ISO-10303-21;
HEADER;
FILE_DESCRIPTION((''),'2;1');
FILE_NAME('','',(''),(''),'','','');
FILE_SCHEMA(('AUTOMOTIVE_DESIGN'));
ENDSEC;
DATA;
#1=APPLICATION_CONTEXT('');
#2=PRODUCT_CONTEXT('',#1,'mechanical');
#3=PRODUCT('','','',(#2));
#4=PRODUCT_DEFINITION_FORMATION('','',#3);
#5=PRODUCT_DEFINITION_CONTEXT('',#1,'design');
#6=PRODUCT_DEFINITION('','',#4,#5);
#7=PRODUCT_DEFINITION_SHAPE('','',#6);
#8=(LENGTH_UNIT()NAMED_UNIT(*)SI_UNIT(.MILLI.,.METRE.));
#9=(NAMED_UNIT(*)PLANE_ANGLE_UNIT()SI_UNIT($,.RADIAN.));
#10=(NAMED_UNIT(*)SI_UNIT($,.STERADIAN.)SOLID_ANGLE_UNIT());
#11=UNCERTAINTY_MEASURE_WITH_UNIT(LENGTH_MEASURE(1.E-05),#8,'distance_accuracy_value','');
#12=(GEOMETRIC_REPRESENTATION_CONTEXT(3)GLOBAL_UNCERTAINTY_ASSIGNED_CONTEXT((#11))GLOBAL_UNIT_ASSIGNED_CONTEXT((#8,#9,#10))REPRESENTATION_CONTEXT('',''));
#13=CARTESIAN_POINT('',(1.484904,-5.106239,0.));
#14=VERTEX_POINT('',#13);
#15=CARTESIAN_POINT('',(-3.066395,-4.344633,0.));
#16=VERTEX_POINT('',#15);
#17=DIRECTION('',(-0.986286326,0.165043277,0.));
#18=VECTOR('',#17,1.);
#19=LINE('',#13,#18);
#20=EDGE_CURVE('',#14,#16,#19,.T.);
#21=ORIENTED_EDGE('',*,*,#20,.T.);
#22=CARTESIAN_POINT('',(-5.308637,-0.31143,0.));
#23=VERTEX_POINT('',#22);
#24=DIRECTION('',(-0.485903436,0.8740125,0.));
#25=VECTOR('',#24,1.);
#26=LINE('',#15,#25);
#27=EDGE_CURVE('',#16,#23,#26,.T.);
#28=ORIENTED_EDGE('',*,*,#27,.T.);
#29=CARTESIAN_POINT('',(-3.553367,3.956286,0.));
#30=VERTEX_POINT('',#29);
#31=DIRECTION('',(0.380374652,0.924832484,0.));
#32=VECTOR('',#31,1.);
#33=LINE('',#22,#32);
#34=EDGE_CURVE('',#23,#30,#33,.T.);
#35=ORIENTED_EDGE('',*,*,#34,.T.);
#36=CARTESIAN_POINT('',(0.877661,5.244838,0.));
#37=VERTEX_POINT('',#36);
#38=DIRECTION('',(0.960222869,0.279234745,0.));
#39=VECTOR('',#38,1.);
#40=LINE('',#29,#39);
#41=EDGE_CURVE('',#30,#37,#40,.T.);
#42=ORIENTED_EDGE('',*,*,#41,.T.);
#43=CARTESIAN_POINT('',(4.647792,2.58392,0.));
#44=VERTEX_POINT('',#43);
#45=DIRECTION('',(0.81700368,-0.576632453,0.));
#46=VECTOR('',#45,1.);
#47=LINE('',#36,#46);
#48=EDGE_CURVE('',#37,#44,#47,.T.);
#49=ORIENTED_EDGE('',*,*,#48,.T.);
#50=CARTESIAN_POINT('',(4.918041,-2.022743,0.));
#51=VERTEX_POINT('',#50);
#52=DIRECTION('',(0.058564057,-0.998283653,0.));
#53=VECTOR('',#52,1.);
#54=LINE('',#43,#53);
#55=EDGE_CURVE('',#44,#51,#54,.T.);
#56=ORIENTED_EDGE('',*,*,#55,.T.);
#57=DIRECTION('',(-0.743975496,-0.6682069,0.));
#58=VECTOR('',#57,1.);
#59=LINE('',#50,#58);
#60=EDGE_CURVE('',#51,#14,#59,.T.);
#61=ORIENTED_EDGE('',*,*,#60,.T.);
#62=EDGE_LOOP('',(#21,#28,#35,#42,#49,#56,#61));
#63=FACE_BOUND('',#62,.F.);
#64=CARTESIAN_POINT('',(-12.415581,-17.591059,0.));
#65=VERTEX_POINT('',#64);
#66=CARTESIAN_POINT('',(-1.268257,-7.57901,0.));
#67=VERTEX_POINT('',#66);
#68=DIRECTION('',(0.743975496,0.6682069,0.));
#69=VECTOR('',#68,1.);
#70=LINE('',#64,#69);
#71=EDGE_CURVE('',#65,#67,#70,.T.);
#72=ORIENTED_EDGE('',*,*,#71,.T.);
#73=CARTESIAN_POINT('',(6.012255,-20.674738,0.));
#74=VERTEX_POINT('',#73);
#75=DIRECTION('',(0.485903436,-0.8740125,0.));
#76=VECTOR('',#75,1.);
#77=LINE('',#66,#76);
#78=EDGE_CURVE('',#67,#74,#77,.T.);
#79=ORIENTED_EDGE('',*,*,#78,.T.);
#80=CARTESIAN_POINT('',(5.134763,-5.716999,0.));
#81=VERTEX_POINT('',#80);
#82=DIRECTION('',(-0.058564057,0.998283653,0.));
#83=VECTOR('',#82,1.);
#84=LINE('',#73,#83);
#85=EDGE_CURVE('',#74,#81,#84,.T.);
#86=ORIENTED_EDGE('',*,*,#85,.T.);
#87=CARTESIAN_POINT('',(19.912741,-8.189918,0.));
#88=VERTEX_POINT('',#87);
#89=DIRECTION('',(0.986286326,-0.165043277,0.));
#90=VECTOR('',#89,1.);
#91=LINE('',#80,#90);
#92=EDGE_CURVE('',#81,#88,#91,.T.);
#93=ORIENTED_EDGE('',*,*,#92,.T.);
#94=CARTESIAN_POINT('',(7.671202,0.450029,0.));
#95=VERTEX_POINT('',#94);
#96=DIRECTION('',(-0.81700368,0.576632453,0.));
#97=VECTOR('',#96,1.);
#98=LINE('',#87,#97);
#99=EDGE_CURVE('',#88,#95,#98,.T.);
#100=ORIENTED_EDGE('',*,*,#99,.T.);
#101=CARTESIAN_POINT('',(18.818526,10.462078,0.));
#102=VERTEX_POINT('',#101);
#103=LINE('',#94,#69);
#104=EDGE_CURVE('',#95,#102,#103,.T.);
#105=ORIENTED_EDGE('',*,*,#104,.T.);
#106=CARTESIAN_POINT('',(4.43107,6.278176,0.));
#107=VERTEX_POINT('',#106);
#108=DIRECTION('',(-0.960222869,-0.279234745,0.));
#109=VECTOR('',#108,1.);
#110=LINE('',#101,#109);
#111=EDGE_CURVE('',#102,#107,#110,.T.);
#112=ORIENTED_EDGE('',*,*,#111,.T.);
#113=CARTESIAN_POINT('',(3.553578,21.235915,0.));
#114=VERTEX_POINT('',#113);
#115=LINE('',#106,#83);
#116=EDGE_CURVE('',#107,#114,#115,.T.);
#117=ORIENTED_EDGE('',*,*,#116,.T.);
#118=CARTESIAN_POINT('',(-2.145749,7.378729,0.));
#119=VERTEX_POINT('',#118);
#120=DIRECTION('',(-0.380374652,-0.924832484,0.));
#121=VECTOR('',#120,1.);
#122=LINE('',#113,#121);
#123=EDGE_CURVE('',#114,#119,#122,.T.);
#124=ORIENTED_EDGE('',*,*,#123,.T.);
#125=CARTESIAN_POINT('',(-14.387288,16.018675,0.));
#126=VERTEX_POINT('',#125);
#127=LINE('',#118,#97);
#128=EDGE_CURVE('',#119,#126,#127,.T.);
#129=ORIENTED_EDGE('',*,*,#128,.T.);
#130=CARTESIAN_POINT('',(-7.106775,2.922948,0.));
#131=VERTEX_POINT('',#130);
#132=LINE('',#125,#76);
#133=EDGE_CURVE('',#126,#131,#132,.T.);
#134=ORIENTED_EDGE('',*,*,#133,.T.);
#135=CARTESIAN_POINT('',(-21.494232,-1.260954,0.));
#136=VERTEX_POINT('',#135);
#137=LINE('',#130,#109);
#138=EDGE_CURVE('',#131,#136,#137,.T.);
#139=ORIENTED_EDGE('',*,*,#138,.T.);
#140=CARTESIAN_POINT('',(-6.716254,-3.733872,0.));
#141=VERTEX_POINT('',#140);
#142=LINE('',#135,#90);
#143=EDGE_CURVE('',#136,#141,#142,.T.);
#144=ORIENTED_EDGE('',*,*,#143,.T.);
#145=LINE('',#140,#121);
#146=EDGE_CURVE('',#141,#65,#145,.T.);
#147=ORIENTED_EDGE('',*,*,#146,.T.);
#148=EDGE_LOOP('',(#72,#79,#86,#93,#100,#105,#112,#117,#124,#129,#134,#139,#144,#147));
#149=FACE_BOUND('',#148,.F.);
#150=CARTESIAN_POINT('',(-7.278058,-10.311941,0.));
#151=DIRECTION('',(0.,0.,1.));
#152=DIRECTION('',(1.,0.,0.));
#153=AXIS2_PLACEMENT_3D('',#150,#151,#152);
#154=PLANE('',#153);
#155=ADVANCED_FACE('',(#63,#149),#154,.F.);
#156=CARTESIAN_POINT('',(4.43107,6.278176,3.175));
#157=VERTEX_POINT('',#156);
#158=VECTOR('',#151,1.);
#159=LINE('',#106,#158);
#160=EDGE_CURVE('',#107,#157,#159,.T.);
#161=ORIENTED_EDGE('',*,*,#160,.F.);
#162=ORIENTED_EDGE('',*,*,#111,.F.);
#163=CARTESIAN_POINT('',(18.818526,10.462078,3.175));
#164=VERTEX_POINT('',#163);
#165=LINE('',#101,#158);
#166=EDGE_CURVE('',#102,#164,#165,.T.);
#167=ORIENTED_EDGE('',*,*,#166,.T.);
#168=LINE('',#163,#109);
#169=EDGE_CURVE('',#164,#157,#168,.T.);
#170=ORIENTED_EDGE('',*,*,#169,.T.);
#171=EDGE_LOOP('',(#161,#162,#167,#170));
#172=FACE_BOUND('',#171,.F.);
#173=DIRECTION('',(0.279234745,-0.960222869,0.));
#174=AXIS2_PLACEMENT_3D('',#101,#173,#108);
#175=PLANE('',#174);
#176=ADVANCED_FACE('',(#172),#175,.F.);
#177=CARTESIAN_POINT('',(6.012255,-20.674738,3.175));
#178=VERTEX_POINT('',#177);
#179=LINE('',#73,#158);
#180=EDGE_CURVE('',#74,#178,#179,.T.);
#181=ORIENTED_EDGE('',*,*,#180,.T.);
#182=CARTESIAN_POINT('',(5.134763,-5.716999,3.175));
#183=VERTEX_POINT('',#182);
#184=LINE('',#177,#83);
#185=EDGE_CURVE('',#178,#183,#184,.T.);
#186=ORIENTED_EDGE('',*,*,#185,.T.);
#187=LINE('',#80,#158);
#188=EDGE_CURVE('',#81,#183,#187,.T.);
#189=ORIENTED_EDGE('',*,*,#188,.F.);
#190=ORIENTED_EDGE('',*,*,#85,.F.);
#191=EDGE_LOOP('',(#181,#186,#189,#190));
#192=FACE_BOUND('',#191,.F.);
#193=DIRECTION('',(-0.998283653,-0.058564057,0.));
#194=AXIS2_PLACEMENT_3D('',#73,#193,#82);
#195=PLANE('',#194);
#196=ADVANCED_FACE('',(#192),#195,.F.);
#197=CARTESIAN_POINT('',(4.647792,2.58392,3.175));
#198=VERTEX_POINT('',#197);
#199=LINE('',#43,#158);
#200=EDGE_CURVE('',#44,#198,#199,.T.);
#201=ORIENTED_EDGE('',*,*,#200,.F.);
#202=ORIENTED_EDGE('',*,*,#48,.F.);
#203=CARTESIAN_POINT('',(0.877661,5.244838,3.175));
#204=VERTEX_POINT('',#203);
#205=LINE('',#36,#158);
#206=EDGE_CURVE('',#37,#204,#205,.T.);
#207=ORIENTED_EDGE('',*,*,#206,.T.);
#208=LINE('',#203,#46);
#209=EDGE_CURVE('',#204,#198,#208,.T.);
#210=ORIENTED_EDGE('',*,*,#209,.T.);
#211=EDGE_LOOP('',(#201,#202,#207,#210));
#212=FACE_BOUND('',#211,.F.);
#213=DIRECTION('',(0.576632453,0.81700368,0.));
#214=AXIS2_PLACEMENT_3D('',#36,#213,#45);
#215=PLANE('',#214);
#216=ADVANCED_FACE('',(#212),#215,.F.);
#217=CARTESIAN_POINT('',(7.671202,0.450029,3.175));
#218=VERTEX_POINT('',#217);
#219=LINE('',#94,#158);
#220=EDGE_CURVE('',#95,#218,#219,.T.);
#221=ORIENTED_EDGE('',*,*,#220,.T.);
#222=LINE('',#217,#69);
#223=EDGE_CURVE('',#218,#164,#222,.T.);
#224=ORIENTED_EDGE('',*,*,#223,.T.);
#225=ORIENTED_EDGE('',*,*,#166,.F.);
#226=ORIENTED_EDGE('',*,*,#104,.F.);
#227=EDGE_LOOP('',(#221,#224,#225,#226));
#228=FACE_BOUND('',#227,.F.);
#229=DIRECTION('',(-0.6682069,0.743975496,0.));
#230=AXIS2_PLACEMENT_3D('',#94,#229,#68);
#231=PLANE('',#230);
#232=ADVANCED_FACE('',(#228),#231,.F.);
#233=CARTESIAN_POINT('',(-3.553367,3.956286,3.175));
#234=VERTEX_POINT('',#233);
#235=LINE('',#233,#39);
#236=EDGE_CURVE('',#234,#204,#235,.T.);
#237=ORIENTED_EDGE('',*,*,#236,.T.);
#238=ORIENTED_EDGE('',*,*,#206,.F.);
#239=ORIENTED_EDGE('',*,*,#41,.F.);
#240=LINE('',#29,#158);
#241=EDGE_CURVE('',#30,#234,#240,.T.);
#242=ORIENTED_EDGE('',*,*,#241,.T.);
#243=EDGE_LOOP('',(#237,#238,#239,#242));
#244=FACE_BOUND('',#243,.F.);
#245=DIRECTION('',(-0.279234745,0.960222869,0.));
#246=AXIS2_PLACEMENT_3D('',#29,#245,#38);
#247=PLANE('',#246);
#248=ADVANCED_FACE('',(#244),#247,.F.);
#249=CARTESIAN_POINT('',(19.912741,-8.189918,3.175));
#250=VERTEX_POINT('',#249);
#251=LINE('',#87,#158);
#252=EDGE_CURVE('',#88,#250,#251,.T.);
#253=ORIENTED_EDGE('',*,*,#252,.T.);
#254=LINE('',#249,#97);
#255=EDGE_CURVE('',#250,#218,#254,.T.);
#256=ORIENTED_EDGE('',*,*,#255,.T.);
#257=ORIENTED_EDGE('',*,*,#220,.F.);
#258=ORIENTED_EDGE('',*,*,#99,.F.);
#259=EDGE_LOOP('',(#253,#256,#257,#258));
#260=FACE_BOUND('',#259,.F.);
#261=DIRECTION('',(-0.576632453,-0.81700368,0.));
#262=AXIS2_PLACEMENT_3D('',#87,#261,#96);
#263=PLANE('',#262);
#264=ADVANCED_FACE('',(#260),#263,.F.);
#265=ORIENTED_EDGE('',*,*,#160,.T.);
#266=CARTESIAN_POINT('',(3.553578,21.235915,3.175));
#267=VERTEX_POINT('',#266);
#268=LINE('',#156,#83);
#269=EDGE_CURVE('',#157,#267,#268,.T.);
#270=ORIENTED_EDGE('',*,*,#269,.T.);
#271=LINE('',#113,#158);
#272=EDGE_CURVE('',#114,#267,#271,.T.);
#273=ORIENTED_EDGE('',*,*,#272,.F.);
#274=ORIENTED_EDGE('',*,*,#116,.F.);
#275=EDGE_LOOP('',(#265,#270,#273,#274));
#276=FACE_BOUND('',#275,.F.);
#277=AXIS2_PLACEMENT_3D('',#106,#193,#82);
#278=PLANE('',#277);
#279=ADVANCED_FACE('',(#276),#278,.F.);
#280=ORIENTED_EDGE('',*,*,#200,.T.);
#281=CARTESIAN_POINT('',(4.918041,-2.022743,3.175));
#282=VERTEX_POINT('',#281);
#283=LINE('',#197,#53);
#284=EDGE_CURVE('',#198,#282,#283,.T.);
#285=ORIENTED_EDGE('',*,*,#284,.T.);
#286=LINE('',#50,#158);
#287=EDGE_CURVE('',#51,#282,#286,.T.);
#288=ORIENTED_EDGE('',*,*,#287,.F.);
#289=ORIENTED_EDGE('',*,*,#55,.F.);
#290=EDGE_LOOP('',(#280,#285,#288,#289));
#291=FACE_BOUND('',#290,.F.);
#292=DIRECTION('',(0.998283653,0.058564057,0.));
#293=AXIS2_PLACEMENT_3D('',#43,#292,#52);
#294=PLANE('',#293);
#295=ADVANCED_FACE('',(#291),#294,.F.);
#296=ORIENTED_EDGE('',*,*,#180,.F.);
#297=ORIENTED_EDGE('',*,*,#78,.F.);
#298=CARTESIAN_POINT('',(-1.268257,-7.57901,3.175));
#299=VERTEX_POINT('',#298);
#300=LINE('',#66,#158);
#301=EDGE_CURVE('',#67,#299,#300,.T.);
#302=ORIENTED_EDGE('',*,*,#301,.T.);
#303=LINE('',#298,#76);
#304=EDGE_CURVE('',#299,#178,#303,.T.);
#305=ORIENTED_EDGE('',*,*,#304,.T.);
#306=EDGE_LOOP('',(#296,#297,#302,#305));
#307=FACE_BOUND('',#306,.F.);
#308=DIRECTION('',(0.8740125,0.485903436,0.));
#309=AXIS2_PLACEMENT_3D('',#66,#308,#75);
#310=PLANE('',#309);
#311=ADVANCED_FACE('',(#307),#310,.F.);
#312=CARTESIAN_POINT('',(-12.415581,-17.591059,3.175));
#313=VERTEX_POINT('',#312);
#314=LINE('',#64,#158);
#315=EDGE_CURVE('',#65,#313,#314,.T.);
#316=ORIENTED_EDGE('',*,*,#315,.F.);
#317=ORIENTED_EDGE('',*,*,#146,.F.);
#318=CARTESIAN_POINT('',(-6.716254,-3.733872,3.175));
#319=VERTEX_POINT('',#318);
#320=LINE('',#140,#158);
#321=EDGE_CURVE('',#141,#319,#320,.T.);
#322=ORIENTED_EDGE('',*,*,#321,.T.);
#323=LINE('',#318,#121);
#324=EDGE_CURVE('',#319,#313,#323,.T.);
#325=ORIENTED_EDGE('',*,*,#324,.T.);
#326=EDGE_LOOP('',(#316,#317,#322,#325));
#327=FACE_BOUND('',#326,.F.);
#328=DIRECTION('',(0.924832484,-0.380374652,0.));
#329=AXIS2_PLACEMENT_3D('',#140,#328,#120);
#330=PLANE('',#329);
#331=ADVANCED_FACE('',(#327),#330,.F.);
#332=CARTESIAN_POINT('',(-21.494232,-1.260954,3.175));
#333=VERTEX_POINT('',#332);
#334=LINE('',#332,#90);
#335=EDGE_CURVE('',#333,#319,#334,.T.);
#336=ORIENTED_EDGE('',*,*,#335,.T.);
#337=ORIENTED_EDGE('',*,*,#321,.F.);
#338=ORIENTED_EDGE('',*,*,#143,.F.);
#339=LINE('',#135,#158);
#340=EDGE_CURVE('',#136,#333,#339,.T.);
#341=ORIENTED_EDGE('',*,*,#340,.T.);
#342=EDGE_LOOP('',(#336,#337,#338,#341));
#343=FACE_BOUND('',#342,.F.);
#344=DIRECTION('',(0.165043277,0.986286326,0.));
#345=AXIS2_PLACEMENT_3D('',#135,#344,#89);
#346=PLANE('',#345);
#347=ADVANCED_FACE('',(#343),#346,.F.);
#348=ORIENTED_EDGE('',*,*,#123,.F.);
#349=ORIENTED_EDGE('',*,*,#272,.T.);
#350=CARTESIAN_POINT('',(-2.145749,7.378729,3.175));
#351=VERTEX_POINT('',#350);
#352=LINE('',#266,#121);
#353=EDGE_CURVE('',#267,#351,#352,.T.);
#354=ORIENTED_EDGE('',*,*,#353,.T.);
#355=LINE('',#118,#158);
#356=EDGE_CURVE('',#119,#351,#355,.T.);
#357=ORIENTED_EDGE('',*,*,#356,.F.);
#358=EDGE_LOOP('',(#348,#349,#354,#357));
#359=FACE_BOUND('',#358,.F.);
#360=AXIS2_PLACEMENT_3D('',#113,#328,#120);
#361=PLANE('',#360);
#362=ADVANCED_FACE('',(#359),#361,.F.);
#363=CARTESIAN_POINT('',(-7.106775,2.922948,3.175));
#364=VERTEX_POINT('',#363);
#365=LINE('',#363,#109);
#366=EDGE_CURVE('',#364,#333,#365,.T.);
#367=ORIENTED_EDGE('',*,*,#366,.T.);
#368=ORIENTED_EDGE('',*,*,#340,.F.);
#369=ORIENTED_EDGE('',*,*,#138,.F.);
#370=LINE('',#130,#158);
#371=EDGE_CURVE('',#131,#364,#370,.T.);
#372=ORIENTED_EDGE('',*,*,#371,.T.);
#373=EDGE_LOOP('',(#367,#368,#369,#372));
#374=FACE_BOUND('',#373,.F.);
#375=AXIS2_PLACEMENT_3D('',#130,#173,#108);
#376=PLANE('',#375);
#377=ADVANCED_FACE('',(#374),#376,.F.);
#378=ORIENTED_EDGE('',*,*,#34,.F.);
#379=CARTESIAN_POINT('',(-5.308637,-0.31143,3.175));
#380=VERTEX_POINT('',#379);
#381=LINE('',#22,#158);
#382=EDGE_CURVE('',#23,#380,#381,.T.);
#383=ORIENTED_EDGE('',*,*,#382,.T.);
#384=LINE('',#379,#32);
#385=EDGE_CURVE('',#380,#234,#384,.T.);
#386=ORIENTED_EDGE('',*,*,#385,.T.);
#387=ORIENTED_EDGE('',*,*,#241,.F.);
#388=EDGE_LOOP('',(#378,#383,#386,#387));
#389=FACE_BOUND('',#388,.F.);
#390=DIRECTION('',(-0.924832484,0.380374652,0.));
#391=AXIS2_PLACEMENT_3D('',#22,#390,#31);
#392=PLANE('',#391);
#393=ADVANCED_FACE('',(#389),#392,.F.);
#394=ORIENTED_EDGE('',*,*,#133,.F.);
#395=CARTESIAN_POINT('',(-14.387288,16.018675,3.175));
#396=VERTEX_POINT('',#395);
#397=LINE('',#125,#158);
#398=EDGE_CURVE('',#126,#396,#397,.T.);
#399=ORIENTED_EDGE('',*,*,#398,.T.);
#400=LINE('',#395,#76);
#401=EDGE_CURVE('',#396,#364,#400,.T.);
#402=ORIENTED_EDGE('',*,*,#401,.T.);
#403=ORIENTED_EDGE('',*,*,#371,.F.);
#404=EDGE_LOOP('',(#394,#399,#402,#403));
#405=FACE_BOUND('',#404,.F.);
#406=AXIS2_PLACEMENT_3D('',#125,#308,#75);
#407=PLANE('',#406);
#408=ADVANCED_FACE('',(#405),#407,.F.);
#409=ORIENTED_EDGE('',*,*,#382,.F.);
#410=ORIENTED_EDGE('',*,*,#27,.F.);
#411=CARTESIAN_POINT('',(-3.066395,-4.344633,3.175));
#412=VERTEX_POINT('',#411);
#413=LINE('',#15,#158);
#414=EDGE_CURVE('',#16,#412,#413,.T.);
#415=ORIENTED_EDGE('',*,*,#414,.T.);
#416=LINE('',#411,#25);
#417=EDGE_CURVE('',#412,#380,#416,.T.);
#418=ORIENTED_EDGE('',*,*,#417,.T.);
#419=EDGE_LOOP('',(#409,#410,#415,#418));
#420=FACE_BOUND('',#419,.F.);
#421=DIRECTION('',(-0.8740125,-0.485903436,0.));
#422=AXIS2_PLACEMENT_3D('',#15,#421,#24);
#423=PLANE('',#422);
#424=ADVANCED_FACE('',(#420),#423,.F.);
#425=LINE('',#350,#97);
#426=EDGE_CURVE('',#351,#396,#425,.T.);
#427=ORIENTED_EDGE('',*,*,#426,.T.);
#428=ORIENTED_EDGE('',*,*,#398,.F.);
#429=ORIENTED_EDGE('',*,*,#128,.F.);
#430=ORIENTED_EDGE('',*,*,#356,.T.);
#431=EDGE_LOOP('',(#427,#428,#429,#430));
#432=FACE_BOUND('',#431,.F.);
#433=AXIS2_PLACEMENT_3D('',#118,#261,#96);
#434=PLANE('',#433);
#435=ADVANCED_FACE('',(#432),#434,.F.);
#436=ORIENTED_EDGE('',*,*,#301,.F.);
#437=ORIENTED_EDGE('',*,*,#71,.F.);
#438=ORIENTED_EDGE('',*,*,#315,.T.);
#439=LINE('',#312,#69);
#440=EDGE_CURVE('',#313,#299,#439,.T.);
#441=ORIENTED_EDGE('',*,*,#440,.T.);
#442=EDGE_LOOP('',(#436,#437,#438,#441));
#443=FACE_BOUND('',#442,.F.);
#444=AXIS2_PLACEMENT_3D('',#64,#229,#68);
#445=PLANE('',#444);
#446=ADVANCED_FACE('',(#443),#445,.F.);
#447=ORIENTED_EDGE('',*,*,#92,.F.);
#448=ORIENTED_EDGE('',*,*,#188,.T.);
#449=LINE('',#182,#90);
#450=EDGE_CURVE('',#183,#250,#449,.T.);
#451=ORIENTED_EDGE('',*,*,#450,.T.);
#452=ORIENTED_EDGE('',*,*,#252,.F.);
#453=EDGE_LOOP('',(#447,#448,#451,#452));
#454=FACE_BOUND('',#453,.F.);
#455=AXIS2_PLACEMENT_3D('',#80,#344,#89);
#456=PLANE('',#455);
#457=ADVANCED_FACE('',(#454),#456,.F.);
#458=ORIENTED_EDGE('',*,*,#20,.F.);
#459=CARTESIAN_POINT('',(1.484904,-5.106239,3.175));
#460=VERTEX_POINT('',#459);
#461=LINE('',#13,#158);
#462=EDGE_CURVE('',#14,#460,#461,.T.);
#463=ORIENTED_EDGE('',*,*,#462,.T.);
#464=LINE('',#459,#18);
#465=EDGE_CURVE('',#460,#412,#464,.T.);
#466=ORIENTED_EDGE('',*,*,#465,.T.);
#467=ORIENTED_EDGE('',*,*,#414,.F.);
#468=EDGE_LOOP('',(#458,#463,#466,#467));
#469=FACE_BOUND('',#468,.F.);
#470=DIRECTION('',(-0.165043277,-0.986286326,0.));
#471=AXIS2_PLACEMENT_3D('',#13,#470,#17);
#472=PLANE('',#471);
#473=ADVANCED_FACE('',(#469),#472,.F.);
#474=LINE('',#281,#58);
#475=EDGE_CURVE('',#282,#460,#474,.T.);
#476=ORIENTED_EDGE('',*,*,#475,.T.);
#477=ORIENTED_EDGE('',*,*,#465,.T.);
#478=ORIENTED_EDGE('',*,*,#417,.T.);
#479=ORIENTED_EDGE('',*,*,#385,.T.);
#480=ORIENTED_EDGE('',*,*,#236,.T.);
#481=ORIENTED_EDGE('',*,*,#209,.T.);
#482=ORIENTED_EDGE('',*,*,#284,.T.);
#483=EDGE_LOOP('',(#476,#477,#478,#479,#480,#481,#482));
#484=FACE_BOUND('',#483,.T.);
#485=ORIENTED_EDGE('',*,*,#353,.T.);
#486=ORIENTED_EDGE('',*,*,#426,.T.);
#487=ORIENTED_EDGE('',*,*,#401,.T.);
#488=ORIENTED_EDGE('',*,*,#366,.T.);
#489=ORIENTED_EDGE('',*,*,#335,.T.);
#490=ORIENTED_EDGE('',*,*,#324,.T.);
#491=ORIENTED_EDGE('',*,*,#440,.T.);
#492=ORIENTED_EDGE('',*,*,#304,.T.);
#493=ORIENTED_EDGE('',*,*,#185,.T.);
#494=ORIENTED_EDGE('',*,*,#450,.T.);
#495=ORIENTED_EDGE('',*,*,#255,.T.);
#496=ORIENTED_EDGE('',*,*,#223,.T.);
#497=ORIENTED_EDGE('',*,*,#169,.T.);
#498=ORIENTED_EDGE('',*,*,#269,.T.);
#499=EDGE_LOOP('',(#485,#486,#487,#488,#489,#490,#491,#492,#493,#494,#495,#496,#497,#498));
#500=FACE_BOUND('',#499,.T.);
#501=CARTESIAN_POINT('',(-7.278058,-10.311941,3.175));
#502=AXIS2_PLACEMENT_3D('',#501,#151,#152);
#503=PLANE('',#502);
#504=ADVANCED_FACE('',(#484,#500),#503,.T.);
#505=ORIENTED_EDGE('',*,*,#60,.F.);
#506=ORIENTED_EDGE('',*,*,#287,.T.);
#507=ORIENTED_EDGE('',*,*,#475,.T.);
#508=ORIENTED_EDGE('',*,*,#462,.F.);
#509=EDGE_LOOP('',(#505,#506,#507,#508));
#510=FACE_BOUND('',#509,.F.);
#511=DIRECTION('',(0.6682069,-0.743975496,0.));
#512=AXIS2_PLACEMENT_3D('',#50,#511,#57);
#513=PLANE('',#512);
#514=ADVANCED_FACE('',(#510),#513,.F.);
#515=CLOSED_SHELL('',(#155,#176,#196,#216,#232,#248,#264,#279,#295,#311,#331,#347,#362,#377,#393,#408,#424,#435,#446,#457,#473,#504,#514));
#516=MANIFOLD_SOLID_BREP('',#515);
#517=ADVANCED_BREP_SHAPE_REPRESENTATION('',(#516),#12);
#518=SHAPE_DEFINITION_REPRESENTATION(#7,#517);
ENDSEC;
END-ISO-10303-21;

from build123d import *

# Parameters (mm, degrees)
F1_DEPTH = 3.175


with BuildPart() as f1:
    # F0 (on Top) → F1 (new body)
    with BuildSketch(Plane.XY):
        Polygon((-6.7162543001, -3.7338722749), (-12.4155810362, -17.5910588207), (-1.2682571668, -7.5790103409), (-3.0663952842, -4.3446327365), align=None)
        Polygon((-1.2682571668, -7.5790103409), (6.0122554358, -20.6747379059), (5.1347634808, -5.7169990366), (1.484904465, -5.106238575), align=None)
        Polygon((5.1347634808, -5.7169990366), (19.912740937, -8.1899176601), (7.6712024973, 0.4500291478), (4.9180408655, -2.0227426182), align=None)
        Polygon((7.6712024973, 0.4500291478), (18.8185263667, 10.4620776276), (4.4310695693, 6.278176205), (4.6477921846, 2.5839197865), align=None)
        Polygon((4.4310695693, 6.278176205), (3.5535776144, 21.2359150742), (-2.1457491217, 7.3787285284), (0.877661191, 5.2448378896), align=None)
        Polygon((-2.1457491217, 7.3787285284), (-14.3872875614, 16.0186753362), (-7.1067749588, 2.9229477713), (-3.5533665805, 3.9562860866), align=None)
        Polygon((-7.1067749588, 2.9229477713), (-21.4942317562, -1.2609536514), (-6.7162543001, -3.7338722749), (-5.3086368414, -0.3114298331), align=None)
        Polygon((-5.3086368414, -0.3114298331), (-6.7162543001, -3.7338722749), (-3.0663952842, -4.3446327365), align=None)
        Polygon((1.484904465, -5.106238575), (5.1347634808, -5.7169990366), (4.9180408655, -2.0227426182), align=None)
        Polygon((4.6477921846, 2.5839197865), (4.4310695693, 6.278176205), (0.877661191, 5.2448378896), align=None)
        Polygon((-3.5533665805, 3.9562860866), (-7.1067749588, 2.9229477713), (-5.3086368414, -0.3114298331), align=None)
        Polygon((-3.0663952842, -4.3446327365), (-1.2682571668, -7.5790103409), (1.484904465, -5.106238575), align=None)
        Polygon((4.9180408655, -2.0227426182), (7.6712024973, 0.4500291478), (4.6477921846, 2.5839197865), align=None)
        Polygon((0.877661191, 5.2448378896), (-2.1457491217, 7.3787285284), (-3.5533665805, 3.9562860866), align=None)
    extrude(amount=F1_DEPTH)


solid = f1.part
